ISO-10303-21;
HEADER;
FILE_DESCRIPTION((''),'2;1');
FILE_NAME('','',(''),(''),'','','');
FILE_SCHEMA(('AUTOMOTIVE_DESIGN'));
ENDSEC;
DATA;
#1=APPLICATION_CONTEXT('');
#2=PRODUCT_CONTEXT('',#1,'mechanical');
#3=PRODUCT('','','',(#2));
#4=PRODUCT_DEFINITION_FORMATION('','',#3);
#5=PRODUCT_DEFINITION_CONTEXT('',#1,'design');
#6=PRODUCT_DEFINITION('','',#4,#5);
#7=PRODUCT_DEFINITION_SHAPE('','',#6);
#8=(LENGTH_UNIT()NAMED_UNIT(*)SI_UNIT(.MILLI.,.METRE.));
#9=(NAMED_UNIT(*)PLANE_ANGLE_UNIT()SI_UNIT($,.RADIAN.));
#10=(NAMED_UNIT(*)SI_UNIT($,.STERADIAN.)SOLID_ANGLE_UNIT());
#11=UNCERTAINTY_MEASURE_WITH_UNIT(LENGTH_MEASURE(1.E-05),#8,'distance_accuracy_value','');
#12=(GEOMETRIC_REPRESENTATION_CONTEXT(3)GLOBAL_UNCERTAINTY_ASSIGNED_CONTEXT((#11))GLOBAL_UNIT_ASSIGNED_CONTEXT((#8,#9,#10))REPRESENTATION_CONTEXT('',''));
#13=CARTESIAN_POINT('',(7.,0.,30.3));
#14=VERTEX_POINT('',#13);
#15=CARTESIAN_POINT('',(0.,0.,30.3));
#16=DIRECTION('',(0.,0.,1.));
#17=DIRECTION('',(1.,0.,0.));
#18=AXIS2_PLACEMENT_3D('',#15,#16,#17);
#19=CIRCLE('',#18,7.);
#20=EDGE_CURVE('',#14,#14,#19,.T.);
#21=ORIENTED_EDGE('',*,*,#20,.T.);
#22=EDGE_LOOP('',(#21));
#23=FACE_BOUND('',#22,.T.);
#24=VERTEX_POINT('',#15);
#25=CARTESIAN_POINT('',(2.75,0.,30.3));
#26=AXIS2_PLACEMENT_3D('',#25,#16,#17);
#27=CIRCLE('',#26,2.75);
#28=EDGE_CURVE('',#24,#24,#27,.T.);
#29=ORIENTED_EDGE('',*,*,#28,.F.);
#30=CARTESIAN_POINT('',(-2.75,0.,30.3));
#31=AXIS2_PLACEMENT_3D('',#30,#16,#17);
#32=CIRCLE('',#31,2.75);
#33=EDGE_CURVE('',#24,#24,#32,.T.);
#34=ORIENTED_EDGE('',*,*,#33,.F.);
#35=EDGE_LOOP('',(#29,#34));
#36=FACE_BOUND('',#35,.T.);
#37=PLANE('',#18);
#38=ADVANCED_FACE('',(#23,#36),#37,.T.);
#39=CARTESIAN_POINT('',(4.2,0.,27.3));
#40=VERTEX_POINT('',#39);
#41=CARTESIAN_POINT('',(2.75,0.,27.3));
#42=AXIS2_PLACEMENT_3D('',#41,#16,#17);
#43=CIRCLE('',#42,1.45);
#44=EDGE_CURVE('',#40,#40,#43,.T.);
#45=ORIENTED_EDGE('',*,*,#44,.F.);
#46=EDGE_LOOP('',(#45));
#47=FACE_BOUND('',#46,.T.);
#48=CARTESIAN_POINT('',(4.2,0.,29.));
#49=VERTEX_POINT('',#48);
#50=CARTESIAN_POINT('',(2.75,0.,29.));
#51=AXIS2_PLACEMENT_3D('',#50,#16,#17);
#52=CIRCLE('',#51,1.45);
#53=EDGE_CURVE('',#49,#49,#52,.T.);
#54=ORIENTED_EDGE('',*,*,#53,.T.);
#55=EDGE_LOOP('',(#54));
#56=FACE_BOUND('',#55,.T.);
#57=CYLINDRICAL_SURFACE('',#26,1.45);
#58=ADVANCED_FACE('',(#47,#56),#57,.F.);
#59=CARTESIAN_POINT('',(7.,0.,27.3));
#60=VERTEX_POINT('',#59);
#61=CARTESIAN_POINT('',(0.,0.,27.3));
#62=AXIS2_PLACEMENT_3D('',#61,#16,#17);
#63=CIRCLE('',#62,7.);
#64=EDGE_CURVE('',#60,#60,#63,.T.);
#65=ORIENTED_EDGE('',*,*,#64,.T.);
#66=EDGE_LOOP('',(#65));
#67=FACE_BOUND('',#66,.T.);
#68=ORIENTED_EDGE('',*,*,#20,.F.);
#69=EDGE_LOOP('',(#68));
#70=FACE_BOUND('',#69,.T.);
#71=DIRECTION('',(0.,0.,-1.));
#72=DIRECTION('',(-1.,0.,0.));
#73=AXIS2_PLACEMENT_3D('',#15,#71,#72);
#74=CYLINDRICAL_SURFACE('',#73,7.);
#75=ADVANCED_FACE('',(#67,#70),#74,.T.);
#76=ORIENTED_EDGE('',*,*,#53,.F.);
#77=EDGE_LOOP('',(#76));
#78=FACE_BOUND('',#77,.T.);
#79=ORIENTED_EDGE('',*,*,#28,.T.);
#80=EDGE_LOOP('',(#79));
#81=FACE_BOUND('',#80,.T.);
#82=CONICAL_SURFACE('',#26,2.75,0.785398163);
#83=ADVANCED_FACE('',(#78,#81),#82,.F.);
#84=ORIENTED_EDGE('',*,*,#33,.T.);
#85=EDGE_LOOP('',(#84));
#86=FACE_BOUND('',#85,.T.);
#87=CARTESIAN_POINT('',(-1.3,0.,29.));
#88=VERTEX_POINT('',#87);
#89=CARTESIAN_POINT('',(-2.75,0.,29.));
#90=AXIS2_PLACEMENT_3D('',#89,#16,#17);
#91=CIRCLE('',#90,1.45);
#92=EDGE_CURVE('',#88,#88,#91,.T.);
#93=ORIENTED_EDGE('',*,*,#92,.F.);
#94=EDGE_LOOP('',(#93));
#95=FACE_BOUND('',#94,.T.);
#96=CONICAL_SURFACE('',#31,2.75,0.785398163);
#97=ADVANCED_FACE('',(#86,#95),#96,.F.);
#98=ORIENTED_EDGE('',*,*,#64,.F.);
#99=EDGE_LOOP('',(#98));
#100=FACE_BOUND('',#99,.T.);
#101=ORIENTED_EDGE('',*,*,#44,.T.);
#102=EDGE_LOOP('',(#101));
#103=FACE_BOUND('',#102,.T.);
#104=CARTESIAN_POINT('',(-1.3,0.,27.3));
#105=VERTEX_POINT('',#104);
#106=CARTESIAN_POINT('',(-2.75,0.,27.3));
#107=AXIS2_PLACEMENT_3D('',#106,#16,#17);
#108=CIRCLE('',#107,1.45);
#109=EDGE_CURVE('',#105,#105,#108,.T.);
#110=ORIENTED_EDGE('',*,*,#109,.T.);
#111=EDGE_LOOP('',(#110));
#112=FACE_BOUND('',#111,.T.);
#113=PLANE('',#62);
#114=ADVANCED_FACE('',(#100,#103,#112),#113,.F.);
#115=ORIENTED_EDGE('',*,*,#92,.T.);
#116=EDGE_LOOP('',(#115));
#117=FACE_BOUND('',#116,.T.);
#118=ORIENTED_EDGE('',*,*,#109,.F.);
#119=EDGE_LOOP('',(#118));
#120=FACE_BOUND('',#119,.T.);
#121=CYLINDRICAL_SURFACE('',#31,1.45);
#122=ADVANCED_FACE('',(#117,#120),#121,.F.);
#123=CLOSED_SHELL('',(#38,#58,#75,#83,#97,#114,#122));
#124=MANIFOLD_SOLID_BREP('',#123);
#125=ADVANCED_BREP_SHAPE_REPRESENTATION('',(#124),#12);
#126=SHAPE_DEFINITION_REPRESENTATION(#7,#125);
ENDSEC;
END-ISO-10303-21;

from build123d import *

# Parameters (mm, degrees)
SKETCH1_R                                            = 7
BOSS_EXTRUDE1_DEPTH                                  = 3
CSK_FOR_M2_5_COUNTERSUNK_FLAT_HEAD_SCREW_D           = 2.9
CSK_FOR_M2_5_COUNTERSUNK_FLAT_HEAD_SCREW_CSINK_D     = 5.5
CSK_FOR_M2_5_COUNTERSUNK_FLAT_HEAD_SCREW_CSINK_ANGLE = 90


with BuildPart() as part:
    # Sketch1 → Boss-Extrude1 (new body)
    with BuildSketch(Plane.XY.offset(27.3)):
        Circle(SKETCH1_R)
    extrude(amount=BOSS_EXTRUDE1_DEPTH)

    # CSK for M2.5 Countersunk Flat Head Screw1 (through all)
    with Locations(Plane.XY.offset(30.3)):
        with Locations((-2.75, 0), (2.75, 0)):
            CounterSinkHole(CSK_FOR_M2_5_COUNTERSUNK_FLAT_HEAD_SCREW_D / 2, CSK_FOR_M2_5_COUNTERSUNK_FLAT_HEAD_SCREW_CSINK_D / 2, counter_sink_angle=CSK_FOR_M2_5_COUNTERSUNK_FLAT_HEAD_SCREW_CSINK_ANGLE)


solid = part.part
